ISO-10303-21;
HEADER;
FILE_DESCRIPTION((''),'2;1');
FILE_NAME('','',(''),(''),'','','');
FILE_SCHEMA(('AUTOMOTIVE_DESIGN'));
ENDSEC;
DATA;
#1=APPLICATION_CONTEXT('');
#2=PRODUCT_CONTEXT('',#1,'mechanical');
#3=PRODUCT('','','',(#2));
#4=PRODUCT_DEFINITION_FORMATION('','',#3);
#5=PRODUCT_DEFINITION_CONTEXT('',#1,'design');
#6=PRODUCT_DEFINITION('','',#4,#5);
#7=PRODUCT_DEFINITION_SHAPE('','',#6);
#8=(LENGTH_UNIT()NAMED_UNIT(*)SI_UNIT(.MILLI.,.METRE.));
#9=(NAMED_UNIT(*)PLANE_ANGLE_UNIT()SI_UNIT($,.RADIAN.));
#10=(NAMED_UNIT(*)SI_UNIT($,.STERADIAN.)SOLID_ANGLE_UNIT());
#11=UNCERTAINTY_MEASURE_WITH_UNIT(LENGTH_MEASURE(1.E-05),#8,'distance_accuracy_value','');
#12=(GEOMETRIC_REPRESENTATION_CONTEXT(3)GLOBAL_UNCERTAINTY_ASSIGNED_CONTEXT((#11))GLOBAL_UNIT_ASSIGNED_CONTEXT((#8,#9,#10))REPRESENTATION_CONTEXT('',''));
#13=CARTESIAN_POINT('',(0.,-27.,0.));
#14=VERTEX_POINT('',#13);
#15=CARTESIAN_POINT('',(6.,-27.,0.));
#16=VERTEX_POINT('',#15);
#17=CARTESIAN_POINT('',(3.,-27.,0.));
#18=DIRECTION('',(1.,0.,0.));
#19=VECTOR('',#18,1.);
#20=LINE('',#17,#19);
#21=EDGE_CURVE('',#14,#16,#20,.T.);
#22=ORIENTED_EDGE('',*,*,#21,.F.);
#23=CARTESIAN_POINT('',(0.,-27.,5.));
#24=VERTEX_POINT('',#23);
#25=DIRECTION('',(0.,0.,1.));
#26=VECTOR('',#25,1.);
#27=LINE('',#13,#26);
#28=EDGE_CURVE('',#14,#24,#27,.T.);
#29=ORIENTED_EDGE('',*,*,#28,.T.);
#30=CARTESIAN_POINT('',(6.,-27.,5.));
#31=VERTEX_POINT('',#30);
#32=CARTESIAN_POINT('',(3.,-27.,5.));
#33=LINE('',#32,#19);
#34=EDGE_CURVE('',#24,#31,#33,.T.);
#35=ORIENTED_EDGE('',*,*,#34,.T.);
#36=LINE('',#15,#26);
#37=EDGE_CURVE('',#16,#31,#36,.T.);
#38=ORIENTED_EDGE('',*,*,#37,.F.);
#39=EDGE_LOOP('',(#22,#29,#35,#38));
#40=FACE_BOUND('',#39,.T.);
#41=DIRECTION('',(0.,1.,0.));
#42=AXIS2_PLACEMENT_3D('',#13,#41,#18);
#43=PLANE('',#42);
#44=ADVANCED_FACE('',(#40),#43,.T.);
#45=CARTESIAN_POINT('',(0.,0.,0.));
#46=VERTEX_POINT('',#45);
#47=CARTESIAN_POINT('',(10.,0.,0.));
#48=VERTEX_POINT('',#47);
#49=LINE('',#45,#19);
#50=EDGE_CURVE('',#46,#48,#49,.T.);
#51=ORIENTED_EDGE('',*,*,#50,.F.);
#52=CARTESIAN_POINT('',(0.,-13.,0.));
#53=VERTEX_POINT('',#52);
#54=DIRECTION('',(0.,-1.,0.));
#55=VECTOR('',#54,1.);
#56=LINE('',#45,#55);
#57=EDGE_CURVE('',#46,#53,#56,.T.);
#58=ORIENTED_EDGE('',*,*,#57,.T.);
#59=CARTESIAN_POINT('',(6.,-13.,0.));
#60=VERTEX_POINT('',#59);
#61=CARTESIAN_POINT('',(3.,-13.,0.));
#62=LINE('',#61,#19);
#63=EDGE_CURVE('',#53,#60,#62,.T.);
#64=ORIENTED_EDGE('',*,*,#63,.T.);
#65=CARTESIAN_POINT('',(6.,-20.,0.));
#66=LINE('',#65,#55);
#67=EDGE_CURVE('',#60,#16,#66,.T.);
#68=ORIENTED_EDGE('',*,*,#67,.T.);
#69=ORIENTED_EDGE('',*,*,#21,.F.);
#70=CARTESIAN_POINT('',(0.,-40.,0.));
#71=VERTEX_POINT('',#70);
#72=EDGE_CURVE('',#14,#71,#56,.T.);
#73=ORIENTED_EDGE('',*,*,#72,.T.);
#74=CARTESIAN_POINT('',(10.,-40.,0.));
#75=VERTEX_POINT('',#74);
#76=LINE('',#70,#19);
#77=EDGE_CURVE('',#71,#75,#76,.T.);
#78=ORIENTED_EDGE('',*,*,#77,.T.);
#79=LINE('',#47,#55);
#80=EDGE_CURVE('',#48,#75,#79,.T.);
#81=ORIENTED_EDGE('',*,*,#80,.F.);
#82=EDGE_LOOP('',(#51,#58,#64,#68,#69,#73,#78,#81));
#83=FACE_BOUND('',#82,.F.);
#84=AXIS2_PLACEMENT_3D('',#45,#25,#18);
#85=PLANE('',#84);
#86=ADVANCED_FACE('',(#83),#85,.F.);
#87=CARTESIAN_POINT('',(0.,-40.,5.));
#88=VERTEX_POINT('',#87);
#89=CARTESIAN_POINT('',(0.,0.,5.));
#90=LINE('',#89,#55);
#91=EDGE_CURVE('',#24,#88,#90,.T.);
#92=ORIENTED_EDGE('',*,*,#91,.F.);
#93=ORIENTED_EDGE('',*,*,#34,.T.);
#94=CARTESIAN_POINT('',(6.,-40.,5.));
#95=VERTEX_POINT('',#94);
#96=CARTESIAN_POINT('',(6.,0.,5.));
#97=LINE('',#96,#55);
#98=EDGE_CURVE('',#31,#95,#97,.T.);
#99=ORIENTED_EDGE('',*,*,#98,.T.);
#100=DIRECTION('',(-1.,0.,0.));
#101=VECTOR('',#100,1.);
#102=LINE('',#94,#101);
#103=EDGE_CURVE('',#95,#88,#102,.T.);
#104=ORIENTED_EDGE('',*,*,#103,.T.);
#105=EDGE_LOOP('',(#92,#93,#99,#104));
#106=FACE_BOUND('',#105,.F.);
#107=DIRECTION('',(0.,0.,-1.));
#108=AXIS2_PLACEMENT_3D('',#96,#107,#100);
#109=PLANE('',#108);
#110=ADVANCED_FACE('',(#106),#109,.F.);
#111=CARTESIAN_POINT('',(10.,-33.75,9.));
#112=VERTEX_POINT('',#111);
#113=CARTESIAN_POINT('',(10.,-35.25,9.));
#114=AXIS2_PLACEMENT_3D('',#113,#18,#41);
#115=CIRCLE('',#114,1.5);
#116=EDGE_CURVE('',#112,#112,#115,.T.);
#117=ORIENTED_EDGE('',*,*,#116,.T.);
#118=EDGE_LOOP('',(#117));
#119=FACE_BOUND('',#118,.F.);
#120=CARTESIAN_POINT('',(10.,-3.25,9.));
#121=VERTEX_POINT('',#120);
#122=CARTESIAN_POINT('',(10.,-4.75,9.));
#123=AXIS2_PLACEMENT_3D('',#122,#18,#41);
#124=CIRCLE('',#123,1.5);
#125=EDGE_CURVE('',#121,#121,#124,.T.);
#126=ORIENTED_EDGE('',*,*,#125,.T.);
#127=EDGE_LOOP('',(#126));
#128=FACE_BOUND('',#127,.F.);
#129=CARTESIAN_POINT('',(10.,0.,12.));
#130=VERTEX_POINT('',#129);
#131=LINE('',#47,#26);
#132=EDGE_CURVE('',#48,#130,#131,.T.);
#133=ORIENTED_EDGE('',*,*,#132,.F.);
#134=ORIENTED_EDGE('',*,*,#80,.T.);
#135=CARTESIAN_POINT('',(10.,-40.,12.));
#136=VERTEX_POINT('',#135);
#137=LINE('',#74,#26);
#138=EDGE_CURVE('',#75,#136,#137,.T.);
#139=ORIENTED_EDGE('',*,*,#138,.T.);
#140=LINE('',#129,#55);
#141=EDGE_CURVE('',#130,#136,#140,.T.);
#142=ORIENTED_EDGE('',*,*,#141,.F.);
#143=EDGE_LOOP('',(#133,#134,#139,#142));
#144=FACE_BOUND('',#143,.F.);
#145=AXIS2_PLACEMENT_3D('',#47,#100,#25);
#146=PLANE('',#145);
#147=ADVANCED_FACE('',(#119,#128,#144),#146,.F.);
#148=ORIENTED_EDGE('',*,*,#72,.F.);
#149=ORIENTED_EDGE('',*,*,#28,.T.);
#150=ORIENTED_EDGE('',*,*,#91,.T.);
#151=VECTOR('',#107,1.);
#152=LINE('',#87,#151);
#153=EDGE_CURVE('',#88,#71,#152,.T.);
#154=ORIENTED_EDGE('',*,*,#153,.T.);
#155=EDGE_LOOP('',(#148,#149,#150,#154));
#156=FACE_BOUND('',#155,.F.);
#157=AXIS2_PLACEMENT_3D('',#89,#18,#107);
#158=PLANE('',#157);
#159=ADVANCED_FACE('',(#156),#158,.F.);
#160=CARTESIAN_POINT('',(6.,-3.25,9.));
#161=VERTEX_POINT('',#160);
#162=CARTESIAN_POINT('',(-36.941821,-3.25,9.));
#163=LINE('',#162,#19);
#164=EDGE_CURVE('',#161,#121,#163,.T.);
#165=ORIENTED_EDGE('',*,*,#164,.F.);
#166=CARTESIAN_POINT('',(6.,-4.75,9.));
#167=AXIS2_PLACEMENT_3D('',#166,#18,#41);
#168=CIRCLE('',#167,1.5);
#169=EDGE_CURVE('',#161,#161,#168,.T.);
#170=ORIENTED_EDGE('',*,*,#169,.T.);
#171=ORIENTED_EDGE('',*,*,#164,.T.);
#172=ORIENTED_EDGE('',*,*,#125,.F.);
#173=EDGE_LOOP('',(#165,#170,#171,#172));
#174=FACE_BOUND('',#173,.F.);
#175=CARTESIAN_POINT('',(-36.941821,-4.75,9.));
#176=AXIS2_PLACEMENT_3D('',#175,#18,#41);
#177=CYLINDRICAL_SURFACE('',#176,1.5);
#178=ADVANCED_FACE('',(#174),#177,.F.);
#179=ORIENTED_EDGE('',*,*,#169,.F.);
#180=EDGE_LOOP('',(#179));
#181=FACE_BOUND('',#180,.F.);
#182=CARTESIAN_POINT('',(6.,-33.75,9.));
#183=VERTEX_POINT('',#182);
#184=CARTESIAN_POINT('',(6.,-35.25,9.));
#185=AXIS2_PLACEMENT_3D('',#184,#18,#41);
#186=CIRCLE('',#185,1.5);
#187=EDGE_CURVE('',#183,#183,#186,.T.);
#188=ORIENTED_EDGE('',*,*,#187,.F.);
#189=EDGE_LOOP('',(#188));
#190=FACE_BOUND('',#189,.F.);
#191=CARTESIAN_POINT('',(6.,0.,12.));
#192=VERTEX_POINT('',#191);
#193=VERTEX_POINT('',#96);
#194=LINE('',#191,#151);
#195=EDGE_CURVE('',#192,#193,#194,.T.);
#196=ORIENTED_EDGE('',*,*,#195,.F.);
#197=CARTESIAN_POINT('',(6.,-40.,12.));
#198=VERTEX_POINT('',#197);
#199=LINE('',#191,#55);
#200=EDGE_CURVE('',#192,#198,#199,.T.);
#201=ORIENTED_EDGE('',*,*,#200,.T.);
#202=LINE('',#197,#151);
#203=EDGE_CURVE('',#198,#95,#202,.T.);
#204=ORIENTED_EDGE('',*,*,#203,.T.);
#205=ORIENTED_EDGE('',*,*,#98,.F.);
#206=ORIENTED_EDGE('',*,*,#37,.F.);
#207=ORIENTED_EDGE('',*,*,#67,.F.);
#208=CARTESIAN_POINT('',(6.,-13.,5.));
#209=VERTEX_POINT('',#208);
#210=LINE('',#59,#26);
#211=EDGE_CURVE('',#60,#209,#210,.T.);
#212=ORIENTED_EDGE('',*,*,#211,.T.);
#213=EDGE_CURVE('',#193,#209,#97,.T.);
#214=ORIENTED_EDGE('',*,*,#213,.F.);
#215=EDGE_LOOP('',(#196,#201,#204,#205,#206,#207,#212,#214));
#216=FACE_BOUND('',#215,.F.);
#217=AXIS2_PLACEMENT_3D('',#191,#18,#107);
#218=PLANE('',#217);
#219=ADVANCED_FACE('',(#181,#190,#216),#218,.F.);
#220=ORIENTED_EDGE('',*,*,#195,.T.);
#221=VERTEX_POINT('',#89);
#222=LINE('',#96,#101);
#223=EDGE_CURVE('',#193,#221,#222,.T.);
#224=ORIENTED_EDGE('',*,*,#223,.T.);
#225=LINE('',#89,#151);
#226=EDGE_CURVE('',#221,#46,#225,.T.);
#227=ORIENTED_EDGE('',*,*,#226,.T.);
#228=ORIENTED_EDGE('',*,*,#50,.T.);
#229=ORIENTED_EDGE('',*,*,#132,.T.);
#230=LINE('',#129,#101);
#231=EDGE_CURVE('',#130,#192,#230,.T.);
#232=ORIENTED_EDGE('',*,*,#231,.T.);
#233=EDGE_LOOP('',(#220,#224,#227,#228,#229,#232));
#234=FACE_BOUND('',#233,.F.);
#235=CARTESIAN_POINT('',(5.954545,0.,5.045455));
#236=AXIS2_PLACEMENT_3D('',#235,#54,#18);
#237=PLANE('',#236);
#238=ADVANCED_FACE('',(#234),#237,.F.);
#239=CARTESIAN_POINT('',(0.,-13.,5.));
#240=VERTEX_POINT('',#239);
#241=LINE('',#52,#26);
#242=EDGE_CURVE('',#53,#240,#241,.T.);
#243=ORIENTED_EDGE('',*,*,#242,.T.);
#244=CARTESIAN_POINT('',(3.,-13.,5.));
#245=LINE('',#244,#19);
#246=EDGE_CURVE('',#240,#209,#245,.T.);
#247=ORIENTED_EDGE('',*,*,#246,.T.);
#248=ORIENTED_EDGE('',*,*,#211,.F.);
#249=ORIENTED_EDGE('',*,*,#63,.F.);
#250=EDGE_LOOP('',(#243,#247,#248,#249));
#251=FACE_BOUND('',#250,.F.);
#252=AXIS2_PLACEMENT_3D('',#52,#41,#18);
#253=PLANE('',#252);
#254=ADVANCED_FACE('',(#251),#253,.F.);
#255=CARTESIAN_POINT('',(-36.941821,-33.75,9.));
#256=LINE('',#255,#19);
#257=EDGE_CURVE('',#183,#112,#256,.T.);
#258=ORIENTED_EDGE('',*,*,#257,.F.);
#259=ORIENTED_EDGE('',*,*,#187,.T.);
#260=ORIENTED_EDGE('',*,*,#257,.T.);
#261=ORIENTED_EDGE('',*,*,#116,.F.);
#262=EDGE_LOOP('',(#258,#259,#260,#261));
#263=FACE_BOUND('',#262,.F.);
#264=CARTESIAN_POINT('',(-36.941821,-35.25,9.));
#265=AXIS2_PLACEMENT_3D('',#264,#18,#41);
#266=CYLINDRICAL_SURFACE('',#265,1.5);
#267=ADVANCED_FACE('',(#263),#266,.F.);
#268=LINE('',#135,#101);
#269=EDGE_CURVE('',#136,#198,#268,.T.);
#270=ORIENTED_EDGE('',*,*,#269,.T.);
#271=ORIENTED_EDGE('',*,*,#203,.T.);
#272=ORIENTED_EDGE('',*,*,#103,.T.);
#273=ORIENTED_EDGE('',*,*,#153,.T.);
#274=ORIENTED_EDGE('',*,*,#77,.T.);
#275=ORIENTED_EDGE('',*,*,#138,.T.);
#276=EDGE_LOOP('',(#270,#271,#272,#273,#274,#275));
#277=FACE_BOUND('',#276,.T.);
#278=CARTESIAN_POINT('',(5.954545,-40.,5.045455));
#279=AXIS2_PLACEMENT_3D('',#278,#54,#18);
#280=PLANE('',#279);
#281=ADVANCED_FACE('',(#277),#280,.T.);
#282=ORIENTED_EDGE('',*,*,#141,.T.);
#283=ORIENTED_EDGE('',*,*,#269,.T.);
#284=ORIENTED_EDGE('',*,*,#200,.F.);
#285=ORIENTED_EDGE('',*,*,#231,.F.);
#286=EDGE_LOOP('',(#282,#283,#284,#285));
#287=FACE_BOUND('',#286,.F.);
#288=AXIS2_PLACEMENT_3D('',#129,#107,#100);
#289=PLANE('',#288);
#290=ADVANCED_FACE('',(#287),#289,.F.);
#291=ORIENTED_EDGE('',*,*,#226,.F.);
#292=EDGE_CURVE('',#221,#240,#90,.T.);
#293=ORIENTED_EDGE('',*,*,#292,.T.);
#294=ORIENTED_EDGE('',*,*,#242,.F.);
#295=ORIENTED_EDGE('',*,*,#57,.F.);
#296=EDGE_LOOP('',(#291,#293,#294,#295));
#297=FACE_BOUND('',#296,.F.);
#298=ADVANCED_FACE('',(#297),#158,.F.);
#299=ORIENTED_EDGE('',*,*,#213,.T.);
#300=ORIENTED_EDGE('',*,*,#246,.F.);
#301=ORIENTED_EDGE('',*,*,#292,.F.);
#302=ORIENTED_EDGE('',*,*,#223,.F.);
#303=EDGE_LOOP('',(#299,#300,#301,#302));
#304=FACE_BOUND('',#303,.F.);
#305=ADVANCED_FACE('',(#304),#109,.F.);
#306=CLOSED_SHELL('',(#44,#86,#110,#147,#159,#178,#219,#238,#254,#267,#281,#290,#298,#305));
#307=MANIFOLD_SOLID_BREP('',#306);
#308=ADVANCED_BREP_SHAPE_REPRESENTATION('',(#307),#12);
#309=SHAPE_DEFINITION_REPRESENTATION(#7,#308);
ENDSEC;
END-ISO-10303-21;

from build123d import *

# Parameters (mm, degrees)
F1_DEPTH = 40
F3_D     = 3
F4_W     = 6
F4_H     = 14
F5_DEPTH = 25


with BuildPart() as f1:
    # F0 (on Front) → F1 (new body)
    with BuildSketch(Plane.XZ):
        Polygon((0, 5), (0, 0), (10, 0), (10, 12), (6, 12), (6, 5), align=None)
    extrude(amount=F1_DEPTH)

    # F3 (through all)
    with Locations(Plane(origin=(6, 0, 0), x_dir=(0, -1, 0), z_dir=(-1, 0, 0))):
        with Locations((35.25, 9), (4.75, 9)):
            Hole(F3_D / 2)

    # F4 (on face) → F5 (cut)
    with BuildSketch(Plane(origin=(0, 0, 0), x_dir=(1, 0, 0), z_dir=(0, 0, -1))):
        with Locations((3, 20)):
            Rectangle(F4_W, F4_H)
    extrude(amount=-F5_DEPTH, mode=Mode.SUBTRACT)


solid = f1.part
